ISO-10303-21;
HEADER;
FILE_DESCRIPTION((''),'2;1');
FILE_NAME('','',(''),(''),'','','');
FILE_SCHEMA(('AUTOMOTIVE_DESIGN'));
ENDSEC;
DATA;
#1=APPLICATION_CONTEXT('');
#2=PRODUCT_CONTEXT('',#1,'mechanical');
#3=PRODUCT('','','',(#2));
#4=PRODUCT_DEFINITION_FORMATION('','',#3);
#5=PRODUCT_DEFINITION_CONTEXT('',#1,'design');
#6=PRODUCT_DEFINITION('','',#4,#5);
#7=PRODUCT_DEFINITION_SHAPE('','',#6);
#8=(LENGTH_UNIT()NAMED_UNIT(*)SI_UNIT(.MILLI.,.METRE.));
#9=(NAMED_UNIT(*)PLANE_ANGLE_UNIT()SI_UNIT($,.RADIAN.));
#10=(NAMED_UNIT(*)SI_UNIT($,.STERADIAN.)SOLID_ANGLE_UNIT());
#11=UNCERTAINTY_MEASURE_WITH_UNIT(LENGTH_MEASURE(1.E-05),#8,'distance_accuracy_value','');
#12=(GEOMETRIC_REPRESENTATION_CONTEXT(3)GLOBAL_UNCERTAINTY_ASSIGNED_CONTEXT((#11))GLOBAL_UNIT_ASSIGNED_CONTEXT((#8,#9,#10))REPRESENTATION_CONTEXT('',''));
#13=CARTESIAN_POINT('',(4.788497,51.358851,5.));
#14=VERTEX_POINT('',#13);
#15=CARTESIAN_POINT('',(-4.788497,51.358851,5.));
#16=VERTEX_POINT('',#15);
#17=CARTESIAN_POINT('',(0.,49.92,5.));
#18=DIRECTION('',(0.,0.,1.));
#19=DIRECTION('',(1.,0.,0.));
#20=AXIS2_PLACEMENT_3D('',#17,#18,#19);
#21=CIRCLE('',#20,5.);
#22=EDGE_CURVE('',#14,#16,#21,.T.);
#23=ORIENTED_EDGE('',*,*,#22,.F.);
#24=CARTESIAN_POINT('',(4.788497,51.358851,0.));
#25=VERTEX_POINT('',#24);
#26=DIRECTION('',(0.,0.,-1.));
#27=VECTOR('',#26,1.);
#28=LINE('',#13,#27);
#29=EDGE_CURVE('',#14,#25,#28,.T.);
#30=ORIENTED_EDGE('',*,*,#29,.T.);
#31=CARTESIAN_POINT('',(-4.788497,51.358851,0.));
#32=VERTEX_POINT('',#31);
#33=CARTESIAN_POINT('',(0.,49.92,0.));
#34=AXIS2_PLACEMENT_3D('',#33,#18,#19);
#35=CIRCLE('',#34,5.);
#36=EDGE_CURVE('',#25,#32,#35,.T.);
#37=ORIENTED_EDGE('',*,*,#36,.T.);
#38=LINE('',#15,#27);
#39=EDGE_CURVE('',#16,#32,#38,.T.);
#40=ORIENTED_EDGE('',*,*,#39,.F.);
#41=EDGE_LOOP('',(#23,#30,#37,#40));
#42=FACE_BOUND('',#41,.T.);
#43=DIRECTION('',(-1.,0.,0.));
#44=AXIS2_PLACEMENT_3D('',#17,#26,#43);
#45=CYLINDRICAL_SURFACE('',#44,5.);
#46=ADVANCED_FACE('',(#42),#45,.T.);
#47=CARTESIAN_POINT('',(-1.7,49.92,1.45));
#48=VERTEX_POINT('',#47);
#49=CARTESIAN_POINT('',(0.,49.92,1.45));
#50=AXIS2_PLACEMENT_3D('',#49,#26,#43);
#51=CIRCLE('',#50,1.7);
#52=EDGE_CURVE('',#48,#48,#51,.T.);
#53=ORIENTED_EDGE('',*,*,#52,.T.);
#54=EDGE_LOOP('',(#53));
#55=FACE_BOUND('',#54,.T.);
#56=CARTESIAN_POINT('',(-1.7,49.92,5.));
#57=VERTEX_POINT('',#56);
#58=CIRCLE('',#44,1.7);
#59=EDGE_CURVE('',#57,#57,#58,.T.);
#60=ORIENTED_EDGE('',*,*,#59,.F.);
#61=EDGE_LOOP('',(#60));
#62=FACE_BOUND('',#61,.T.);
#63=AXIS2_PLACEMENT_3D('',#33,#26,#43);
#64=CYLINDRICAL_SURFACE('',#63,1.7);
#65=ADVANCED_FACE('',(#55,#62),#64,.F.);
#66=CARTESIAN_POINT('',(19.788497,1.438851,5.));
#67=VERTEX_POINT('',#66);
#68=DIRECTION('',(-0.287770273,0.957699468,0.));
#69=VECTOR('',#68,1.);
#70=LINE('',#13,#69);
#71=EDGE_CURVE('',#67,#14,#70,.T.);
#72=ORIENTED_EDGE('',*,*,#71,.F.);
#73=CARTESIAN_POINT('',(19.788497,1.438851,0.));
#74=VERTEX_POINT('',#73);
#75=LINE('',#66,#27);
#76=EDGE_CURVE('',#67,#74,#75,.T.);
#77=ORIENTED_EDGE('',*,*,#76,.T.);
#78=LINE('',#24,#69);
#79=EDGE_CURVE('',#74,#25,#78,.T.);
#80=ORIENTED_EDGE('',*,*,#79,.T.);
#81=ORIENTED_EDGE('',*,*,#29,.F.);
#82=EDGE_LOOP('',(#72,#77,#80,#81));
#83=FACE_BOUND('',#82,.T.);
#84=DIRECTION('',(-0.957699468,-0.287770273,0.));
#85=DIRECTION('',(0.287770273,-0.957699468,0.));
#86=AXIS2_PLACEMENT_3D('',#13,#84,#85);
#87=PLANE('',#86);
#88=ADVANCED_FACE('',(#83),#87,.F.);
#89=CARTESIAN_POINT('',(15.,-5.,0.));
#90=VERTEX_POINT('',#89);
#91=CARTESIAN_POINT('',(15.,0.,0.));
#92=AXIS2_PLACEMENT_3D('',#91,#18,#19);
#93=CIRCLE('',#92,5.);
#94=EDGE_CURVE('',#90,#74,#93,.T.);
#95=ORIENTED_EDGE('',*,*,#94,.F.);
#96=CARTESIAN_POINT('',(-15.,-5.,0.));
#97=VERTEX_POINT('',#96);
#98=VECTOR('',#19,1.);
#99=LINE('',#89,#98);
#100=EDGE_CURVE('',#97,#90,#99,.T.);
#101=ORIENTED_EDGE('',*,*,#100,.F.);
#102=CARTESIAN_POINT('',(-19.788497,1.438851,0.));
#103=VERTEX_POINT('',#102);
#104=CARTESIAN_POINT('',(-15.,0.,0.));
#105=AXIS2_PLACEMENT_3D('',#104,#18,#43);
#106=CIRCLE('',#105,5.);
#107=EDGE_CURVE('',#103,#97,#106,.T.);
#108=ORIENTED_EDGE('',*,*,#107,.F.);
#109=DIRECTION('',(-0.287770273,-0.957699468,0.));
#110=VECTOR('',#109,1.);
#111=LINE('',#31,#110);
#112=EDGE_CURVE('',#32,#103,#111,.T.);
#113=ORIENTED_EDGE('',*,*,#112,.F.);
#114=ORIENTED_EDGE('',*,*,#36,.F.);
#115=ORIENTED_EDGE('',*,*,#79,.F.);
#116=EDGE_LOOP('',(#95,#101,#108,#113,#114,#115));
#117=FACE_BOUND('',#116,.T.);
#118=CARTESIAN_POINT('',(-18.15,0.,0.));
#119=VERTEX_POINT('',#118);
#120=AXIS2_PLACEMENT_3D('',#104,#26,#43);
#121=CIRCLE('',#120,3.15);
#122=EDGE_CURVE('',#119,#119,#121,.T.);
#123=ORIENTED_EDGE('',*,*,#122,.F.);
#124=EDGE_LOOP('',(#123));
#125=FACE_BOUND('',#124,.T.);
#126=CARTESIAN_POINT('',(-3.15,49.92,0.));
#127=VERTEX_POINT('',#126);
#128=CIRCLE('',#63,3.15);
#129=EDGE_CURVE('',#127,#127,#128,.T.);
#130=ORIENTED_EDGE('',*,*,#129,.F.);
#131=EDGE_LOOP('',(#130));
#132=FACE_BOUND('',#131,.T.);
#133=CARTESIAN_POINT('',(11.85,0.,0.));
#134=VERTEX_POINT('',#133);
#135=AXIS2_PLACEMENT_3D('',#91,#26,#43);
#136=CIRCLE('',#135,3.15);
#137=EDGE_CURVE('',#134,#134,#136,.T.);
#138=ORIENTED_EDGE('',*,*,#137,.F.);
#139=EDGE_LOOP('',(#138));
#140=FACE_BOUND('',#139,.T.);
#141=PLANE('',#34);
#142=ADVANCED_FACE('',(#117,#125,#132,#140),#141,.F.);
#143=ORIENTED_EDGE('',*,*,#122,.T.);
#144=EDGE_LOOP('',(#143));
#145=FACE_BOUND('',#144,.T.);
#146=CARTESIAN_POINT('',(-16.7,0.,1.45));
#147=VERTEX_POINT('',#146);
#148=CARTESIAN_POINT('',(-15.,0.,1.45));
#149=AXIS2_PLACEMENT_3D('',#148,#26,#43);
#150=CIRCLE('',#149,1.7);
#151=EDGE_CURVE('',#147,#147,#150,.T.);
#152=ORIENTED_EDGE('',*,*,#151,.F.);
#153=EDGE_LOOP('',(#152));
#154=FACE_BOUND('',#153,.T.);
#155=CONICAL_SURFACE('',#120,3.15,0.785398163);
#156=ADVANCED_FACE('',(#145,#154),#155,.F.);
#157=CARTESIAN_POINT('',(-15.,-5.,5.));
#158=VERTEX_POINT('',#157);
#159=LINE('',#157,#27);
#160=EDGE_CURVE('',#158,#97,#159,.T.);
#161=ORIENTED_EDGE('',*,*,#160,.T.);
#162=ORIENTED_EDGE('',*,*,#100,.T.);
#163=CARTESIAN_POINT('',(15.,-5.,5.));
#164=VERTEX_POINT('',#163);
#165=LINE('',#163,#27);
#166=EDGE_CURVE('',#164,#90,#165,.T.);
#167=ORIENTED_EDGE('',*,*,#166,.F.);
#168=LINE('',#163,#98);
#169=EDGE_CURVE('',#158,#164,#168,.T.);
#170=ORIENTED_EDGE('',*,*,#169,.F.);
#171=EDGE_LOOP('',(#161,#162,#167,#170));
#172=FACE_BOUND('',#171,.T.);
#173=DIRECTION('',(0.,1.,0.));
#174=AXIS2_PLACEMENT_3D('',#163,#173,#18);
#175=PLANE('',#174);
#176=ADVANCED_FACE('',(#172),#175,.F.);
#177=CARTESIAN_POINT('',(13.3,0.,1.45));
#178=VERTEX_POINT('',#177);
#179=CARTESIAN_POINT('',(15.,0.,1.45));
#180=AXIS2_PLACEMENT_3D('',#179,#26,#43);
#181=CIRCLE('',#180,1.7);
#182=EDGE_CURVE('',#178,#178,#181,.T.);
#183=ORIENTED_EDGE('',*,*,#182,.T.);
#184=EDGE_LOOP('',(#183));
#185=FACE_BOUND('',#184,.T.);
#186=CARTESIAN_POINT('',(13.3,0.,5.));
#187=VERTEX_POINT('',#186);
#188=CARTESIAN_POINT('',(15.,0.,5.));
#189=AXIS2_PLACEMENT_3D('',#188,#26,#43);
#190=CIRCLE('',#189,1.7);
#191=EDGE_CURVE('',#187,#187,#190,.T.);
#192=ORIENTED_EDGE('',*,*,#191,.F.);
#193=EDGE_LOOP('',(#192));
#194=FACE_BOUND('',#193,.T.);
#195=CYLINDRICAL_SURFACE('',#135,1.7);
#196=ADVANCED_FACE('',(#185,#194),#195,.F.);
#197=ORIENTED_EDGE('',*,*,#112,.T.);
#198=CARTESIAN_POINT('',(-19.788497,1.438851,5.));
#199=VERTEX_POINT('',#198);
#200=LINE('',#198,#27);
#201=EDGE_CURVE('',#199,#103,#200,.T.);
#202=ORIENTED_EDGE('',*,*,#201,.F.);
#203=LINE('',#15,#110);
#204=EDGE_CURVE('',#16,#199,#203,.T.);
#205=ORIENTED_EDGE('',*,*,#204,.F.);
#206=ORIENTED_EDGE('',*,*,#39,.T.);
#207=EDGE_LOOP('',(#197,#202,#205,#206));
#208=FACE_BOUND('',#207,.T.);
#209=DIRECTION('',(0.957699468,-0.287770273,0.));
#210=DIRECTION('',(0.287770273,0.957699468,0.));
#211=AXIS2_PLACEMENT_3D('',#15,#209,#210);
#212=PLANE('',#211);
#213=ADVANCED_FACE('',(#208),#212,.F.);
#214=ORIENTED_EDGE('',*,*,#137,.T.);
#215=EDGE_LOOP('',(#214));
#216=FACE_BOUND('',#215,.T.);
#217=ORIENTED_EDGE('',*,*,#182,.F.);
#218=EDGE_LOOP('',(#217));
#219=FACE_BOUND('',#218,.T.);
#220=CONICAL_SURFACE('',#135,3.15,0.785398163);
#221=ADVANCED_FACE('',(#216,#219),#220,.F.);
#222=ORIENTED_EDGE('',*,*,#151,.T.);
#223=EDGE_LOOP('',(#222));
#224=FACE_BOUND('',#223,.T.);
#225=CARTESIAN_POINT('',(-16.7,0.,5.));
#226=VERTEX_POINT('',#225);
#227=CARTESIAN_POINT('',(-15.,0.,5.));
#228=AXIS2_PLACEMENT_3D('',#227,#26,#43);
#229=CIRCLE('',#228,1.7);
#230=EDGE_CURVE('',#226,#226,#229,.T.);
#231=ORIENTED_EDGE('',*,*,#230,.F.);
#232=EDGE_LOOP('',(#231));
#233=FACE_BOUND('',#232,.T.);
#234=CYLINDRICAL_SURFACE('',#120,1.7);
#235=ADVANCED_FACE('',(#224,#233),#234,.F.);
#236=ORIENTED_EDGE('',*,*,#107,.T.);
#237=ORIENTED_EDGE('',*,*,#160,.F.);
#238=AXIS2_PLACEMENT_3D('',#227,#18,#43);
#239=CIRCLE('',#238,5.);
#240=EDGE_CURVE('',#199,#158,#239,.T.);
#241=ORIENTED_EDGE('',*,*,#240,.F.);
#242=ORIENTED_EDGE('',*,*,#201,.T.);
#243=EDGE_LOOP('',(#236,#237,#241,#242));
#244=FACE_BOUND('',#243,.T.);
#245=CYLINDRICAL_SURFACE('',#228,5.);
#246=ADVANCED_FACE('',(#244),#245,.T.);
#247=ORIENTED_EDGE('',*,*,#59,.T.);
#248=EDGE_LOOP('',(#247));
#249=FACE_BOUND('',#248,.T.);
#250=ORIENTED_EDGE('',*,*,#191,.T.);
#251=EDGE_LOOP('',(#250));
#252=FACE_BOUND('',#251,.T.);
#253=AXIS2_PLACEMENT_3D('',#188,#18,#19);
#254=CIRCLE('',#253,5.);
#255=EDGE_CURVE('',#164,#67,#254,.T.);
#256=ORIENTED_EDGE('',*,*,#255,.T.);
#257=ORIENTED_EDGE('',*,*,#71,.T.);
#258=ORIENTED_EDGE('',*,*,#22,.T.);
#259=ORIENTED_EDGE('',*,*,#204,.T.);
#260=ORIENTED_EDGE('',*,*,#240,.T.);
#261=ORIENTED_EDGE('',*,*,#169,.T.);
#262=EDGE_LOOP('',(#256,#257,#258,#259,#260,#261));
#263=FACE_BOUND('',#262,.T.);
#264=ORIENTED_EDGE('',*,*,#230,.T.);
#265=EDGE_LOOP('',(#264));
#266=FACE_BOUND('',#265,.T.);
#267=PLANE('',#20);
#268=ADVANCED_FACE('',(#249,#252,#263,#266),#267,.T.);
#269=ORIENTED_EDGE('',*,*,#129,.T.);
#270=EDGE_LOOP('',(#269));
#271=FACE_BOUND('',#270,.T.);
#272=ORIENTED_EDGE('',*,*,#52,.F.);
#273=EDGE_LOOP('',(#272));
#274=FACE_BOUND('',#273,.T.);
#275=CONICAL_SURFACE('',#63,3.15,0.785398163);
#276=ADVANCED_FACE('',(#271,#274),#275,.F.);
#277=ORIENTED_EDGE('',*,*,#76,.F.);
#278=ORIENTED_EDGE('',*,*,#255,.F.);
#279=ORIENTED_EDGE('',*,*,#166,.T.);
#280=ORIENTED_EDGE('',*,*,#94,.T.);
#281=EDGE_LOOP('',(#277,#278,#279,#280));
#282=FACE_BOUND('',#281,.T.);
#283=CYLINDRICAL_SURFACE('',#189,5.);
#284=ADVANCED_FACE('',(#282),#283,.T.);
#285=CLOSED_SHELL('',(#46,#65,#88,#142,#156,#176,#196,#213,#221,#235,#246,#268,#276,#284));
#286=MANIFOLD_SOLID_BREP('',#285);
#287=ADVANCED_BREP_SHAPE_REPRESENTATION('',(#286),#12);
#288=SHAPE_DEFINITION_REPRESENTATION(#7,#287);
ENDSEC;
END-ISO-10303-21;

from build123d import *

# Parameters (mm, degrees)
BOSS_EXTRUDE1_DEPTH                             = 5
CSK_FOR_M3_FLAT_HEAD_MACHINE_SCREW2_D           = 3.4
CSK_FOR_M3_FLAT_HEAD_MACHINE_SCREW2_CSINK_D     = 6.3
CSK_FOR_M3_FLAT_HEAD_MACHINE_SCREW2_CSINK_ANGLE = 90


with BuildPart() as part:
    # Sketch1 → Boss-Extrude1 (new body)
    with BuildSketch(Plane.XY):
        with BuildLine():
            Line((4.788497338, 51.358851364), (19.788497338, 1.438851364))
            ThreePointArc((19.788497338, 1.438851364), (19.012122681, -2.983768019), (15, -5))
            Line((15, -5), (-15, -5))
            ThreePointArc((-15, -5), (-19.012122681, -2.983768019), (-19.788497338, 1.438851364))
            Line((-19.788497338, 1.438851364), (-4.788497338, 51.358851364))
            ThreePointArc((-4.788497338, 51.358851364), (0, 54.92), (4.788497338, 51.358851364))
        make_face()
    extrude(amount=BOSS_EXTRUDE1_DEPTH)

    # CSK for M3 Flat Head Machine Screw2 (through all)
    with Locations(Plane(origin=(-15, 0, 0), x_dir=(-1, 0, 0), z_dir=(0, 0, -1))):
        with Locations((0, 0), (-15, 49.92), (-30, 0)):
            CounterSinkHole(CSK_FOR_M3_FLAT_HEAD_MACHINE_SCREW2_D / 2, CSK_FOR_M3_FLAT_HEAD_MACHINE_SCREW2_CSINK_D / 2, counter_sink_angle=CSK_FOR_M3_FLAT_HEAD_MACHINE_SCREW2_CSINK_ANGLE)


solid = part.part
